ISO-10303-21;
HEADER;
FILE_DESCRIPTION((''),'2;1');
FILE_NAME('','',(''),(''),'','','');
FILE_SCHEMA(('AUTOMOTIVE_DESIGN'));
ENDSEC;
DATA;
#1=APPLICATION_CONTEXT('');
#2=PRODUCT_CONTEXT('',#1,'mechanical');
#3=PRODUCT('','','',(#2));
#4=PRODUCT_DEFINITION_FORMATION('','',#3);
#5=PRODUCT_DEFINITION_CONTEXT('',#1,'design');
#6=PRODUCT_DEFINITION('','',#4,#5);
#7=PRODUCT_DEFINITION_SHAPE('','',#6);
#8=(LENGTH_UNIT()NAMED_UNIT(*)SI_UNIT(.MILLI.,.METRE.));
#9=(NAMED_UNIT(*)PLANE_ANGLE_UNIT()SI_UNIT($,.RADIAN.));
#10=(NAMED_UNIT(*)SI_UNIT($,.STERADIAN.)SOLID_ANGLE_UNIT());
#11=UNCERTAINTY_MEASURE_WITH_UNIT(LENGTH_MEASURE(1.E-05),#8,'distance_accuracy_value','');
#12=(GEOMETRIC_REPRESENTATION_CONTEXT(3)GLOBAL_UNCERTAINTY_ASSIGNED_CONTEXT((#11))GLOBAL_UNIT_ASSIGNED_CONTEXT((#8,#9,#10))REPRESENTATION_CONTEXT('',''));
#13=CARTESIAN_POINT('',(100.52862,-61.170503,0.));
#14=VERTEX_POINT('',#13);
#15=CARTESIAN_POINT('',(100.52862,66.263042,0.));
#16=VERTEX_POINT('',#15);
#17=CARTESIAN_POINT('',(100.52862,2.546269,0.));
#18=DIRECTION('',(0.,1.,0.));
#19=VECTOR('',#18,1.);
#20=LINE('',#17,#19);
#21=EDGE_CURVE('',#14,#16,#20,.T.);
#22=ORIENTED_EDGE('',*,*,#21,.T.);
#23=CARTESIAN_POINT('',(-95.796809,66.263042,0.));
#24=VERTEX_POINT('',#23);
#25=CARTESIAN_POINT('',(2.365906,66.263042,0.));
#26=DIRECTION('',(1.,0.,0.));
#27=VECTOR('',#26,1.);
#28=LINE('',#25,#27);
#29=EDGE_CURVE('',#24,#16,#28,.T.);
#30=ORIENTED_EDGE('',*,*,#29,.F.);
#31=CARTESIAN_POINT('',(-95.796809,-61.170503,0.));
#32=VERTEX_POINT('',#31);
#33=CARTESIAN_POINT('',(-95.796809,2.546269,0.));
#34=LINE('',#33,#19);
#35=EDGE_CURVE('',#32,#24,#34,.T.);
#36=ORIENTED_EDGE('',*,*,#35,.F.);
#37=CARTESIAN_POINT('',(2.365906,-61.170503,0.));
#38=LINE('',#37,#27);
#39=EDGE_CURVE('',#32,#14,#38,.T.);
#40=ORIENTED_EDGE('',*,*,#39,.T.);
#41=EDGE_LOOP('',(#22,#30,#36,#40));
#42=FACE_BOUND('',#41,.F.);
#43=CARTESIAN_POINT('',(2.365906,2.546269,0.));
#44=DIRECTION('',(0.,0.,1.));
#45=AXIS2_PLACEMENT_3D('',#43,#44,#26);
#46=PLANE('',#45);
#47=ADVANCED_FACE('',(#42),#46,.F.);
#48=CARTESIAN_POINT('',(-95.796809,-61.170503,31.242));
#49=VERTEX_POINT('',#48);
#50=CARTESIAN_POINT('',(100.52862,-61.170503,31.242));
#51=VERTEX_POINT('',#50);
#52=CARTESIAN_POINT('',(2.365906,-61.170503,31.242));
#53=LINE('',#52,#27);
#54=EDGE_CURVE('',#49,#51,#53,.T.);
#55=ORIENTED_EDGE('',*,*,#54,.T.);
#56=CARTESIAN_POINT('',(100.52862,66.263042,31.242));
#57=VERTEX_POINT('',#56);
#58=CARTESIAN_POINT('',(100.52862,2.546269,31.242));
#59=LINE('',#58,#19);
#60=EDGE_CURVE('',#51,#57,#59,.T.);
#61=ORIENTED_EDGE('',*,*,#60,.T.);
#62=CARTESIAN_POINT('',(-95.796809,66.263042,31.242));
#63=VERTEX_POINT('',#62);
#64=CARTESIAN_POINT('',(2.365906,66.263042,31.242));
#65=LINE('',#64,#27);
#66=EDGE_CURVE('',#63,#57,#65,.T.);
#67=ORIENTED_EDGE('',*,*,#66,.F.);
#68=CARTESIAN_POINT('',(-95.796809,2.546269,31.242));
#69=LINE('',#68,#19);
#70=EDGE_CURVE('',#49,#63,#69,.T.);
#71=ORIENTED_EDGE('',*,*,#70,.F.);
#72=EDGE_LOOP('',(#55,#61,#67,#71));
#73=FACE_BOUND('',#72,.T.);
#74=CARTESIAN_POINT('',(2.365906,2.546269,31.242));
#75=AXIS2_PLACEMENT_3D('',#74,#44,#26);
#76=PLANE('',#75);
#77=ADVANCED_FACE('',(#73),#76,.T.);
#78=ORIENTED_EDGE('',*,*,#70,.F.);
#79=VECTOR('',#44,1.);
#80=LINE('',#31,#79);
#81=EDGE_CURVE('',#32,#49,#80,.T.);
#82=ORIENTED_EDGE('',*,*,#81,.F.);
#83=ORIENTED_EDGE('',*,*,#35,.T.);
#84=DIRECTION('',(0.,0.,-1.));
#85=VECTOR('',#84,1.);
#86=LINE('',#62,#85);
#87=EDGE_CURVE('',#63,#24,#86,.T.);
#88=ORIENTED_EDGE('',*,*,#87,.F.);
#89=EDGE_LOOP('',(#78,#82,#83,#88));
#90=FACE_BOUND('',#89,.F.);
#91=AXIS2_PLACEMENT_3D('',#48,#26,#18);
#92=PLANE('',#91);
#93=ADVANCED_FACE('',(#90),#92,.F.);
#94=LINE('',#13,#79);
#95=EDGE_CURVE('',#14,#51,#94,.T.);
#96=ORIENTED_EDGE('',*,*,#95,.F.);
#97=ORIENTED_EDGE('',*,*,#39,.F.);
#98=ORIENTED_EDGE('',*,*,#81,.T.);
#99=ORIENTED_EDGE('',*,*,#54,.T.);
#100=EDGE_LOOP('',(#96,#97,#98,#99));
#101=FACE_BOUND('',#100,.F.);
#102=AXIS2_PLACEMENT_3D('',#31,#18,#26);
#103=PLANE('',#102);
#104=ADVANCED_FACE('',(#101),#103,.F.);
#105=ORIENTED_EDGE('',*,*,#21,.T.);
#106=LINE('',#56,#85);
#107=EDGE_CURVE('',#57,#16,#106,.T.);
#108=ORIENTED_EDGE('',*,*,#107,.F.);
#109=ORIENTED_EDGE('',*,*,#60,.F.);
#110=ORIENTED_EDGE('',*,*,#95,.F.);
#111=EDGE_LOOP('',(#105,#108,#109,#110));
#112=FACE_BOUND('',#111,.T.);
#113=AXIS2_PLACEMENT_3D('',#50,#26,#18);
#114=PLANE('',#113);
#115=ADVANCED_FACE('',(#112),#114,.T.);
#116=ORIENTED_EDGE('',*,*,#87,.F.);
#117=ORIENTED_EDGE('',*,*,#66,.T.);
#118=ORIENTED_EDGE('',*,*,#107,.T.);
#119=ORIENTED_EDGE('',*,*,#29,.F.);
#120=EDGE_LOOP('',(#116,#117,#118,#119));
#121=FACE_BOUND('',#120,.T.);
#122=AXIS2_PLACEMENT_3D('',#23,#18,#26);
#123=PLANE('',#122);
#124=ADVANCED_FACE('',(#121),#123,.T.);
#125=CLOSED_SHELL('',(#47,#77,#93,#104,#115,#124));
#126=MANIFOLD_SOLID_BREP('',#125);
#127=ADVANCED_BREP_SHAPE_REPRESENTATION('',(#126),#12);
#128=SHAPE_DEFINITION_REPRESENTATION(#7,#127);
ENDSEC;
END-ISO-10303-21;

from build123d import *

# Parameters (mm, degrees)
F0_W     = 196.3254287839
F0_H     = 127.4335458875
F1_DEPTH = 31.242
F3_D     = 7.62
F3_DEPTH = 127
F3_TIP   = 2.2892789585
F4_DEPTH = 22.86


with BuildPart() as f1:
    # F0 (on Top) → F1 (new body)
    with BuildSketch(Plane.XY):
        with Locations((2.3659057915, 2.5462694466)):
            Rectangle(F0_W, F0_H)
    extrude(amount=F1_DEPTH)

    # F3
    with Locations(Plane.XZ.offset(61.1705034971)):
        with Locations((55.6040331721, 14.9457631633)):
            Hole(F3_D / 2, depth=F3_DEPTH)
            with Locations((0, 0, -(F3_DEPTH + F3_TIP / 2))):  # 118° drill point
                Cone(0, F3_D / 2, F3_TIP, mode=Mode.SUBTRACT)

    # F4 (add): a face of the model
    f4_faces = [f1.faces().sort_by_distance(p)[0] for p in [
        (2.3659057915, 2.5462694466, 31.242),
    ]]
    extrude(f4_faces, amount=-F4_DEPTH)


solid = f1.part
